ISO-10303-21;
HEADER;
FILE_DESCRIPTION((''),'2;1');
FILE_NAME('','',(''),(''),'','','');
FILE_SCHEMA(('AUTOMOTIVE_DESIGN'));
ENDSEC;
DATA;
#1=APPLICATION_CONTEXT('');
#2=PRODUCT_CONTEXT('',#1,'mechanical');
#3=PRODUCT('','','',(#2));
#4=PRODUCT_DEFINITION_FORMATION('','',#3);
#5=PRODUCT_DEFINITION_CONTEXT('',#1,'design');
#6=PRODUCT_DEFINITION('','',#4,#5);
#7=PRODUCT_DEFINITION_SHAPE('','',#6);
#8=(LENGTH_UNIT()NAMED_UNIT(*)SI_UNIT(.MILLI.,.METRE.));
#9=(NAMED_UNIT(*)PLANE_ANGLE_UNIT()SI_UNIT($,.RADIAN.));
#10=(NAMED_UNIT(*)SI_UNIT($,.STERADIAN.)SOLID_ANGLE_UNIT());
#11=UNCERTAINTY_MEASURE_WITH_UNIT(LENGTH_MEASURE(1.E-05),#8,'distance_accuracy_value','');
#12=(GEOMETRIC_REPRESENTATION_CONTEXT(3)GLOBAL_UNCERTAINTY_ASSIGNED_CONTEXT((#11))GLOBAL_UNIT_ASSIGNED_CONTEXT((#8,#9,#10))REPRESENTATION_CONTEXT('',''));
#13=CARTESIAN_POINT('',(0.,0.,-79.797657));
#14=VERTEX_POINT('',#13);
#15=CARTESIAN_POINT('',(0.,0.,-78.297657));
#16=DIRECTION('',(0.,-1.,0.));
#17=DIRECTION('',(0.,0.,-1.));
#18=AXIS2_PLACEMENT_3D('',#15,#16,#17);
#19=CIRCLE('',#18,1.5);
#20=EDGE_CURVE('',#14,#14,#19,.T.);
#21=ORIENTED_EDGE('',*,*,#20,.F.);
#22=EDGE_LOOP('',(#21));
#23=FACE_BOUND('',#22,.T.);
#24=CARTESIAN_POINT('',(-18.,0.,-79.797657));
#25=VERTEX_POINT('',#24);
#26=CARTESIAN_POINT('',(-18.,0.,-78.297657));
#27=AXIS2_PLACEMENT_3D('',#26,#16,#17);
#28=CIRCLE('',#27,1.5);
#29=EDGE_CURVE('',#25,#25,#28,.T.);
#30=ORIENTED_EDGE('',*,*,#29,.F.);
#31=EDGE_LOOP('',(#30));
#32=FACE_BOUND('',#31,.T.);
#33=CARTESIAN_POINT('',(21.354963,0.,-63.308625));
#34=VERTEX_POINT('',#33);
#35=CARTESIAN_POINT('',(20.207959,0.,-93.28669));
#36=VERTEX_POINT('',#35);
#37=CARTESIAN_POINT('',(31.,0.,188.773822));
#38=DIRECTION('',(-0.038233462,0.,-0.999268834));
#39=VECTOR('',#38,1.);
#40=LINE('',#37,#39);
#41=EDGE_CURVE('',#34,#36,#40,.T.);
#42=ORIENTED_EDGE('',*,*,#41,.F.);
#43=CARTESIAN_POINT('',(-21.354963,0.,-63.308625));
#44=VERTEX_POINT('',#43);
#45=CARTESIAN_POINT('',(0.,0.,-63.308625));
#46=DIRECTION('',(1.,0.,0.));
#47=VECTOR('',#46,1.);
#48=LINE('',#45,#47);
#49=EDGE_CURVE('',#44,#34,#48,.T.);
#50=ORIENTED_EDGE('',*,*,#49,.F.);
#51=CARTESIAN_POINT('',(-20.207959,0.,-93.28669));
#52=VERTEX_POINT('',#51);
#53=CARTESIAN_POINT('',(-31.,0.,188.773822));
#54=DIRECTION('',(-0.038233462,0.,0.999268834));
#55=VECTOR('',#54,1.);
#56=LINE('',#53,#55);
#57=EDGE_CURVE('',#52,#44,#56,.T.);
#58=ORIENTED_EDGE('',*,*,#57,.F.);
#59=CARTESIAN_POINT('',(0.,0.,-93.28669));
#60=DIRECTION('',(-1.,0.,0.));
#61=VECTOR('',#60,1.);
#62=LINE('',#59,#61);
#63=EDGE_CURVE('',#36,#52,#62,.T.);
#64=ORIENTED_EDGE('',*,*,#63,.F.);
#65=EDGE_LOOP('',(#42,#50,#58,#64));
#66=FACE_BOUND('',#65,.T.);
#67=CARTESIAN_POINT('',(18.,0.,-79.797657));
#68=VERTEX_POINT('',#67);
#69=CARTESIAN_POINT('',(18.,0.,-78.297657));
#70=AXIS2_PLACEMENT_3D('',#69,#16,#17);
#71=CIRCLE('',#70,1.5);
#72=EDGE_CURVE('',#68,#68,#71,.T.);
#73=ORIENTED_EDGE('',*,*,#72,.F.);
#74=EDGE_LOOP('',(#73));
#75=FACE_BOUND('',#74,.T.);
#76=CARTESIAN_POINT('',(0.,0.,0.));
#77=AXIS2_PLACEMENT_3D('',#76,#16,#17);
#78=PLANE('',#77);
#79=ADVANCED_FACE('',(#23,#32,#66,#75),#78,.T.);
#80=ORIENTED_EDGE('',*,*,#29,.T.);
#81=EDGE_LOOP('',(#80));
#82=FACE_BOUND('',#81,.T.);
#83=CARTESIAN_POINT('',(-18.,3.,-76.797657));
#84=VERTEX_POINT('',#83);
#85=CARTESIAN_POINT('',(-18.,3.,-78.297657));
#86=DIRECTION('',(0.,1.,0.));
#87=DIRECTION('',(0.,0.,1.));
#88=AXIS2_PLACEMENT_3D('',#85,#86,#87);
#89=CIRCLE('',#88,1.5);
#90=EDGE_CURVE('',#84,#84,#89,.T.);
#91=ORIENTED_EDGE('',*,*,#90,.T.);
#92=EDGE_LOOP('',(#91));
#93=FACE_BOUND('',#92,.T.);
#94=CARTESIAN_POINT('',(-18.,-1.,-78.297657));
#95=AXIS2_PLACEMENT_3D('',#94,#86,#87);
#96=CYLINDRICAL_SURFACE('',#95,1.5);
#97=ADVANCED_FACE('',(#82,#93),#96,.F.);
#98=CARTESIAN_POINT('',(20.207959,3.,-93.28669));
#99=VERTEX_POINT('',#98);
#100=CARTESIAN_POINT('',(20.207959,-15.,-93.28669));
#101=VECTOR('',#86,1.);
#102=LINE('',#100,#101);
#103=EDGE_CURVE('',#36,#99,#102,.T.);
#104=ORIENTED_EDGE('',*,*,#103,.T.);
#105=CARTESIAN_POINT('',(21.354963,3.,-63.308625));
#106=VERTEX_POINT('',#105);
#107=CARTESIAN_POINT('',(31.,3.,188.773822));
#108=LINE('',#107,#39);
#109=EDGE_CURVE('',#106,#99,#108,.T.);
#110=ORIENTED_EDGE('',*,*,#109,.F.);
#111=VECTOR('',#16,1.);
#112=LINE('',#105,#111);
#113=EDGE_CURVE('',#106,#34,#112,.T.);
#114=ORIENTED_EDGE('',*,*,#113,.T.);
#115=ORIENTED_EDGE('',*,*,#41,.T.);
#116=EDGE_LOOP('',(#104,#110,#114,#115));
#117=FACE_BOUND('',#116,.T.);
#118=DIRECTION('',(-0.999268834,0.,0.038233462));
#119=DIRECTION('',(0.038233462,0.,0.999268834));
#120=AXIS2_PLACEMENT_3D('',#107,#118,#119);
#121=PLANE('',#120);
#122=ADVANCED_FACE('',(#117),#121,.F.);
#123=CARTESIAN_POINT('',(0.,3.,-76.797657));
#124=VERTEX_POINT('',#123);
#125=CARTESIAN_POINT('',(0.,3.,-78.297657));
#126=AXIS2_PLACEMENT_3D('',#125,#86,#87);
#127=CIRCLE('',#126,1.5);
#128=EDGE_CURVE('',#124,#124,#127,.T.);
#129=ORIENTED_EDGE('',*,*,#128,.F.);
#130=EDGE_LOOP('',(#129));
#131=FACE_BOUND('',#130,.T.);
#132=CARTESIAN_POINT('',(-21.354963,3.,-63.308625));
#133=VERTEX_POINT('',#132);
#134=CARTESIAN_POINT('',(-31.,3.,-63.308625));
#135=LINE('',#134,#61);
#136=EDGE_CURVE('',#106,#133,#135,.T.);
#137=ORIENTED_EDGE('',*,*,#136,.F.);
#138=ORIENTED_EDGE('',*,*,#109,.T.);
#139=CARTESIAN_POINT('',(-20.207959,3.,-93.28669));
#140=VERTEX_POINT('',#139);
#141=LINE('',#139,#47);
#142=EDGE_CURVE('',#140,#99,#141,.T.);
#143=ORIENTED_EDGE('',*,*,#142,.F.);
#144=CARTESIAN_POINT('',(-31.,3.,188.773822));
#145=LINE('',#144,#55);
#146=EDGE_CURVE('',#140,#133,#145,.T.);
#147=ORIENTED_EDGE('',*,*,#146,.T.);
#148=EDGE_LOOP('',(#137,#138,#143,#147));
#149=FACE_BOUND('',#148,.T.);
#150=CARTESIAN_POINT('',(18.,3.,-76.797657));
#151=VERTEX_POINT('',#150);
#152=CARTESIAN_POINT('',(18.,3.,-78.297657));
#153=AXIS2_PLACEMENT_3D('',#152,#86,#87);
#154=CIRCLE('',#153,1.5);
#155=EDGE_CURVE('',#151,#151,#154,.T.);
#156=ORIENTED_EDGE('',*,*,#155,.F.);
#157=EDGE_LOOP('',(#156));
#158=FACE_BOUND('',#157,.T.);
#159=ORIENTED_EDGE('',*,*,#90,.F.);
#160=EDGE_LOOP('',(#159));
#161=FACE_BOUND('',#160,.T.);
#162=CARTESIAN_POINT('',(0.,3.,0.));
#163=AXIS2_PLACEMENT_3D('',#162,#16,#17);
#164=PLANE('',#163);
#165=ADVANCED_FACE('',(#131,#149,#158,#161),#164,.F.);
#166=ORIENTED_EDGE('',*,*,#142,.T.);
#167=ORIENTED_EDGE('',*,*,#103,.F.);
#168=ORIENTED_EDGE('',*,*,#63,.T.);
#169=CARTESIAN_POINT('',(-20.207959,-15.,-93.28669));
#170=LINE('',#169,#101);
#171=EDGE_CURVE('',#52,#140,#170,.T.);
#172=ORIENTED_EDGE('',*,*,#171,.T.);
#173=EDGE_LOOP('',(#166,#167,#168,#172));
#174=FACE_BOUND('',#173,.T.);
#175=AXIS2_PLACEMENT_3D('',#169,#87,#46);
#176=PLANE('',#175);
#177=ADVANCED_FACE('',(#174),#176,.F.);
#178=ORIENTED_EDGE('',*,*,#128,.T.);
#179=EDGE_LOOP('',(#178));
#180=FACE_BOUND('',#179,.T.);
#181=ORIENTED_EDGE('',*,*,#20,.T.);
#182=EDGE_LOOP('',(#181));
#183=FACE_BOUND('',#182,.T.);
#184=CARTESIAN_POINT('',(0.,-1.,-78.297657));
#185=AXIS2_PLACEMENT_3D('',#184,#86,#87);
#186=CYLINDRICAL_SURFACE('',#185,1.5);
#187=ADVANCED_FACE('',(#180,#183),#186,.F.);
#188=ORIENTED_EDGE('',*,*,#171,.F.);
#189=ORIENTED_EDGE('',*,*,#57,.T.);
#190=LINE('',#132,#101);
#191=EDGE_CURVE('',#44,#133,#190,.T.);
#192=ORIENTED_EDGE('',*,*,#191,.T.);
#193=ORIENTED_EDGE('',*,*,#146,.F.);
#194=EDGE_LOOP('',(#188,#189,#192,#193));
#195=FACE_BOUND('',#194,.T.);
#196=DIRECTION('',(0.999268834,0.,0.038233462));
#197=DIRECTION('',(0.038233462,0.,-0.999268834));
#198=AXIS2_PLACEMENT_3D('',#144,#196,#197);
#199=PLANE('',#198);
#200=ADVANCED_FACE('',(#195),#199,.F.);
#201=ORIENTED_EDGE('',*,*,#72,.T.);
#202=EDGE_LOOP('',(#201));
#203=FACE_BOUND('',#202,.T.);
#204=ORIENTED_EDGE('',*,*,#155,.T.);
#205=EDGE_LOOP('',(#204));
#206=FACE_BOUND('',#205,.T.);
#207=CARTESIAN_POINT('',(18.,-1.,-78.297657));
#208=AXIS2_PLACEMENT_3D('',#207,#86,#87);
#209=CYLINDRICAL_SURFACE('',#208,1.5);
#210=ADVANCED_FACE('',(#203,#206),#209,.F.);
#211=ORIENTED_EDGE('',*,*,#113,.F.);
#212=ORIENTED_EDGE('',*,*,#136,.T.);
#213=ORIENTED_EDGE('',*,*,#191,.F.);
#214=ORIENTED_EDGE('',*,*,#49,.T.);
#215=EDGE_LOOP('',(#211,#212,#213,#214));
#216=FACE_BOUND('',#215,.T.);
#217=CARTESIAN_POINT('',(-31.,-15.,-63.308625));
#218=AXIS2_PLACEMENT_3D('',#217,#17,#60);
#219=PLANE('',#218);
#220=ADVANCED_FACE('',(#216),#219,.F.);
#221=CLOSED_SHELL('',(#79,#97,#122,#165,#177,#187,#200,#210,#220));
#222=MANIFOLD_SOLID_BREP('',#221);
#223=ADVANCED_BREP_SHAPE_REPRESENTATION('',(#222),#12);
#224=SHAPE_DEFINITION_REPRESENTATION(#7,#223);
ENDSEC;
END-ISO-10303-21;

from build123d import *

# Parameters (mm, degrees)
SALIENTE_EXTRUIR1_DEPTH = 3
CROQUIS2_R              = 1.5
CORTAR_EXTRUIR1_DEPTH   = 4
CROQUIS3_W              = 40.415918572
CROQUIS3_H              = 97.617868818
CROQUIS3_W_2            = 62.592919448
CROQUIS3_H_2            = 252.082446821
CORTAR_EXTRUIR2_DEPTH   = 18


with BuildPart() as part:
    # Croquis1 → Saliente-Extruir1 (new body)
    with BuildSketch(Plane(origin=(0, 0, 0), x_dir=(1, 0, 0), z_dir=(0, 1, 0))):
        Polygon((31, -188.773821898), (-31, -188.773821898), (-16.554484331, 188.773821898), (16.554484331, 188.773821898), align=None)
    extrude(amount=SALIENTE_EXTRUIR1_DEPTH)

    # Croquis2 → Cortar-Extruir1 (cut)
    with BuildSketch(Plane(origin=(0, 3, 0), x_dir=(1, 0, 0), z_dir=(0, 1, 0))):
        with Locations(Location((0, 78.297657431, 0), (0, 0, 270))):
            Circle(CROQUIS2_R)
        with Locations(Location((-18, 78.297657431, 0), (0, 0, 270))):
            Circle(CROQUIS2_R)
        with Locations(Location((18, 78.297657431, 0), (0, 0, 270))):
            Circle(CROQUIS2_R)
    extrude(amount=-CORTAR_EXTRUIR1_DEPTH, mode=Mode.SUBTRACT)

    # Croquis3 → Cortar-Extruir2 (cut)
    with BuildSketch(Plane(origin=(0, 3, 0), x_dir=(1, 0, 0), z_dir=(0, 1, 0))):
        with Locations((0, 142.095624348)):
            Rectangle(CROQUIS3_W, CROQUIS3_H)
        with Locations((0.296459724, -62.732598488)):
            Rectangle(CROQUIS3_W_2, CROQUIS3_H_2)
    extrude(amount=-CORTAR_EXTRUIR2_DEPTH, mode=Mode.SUBTRACT)


solid = part.part
